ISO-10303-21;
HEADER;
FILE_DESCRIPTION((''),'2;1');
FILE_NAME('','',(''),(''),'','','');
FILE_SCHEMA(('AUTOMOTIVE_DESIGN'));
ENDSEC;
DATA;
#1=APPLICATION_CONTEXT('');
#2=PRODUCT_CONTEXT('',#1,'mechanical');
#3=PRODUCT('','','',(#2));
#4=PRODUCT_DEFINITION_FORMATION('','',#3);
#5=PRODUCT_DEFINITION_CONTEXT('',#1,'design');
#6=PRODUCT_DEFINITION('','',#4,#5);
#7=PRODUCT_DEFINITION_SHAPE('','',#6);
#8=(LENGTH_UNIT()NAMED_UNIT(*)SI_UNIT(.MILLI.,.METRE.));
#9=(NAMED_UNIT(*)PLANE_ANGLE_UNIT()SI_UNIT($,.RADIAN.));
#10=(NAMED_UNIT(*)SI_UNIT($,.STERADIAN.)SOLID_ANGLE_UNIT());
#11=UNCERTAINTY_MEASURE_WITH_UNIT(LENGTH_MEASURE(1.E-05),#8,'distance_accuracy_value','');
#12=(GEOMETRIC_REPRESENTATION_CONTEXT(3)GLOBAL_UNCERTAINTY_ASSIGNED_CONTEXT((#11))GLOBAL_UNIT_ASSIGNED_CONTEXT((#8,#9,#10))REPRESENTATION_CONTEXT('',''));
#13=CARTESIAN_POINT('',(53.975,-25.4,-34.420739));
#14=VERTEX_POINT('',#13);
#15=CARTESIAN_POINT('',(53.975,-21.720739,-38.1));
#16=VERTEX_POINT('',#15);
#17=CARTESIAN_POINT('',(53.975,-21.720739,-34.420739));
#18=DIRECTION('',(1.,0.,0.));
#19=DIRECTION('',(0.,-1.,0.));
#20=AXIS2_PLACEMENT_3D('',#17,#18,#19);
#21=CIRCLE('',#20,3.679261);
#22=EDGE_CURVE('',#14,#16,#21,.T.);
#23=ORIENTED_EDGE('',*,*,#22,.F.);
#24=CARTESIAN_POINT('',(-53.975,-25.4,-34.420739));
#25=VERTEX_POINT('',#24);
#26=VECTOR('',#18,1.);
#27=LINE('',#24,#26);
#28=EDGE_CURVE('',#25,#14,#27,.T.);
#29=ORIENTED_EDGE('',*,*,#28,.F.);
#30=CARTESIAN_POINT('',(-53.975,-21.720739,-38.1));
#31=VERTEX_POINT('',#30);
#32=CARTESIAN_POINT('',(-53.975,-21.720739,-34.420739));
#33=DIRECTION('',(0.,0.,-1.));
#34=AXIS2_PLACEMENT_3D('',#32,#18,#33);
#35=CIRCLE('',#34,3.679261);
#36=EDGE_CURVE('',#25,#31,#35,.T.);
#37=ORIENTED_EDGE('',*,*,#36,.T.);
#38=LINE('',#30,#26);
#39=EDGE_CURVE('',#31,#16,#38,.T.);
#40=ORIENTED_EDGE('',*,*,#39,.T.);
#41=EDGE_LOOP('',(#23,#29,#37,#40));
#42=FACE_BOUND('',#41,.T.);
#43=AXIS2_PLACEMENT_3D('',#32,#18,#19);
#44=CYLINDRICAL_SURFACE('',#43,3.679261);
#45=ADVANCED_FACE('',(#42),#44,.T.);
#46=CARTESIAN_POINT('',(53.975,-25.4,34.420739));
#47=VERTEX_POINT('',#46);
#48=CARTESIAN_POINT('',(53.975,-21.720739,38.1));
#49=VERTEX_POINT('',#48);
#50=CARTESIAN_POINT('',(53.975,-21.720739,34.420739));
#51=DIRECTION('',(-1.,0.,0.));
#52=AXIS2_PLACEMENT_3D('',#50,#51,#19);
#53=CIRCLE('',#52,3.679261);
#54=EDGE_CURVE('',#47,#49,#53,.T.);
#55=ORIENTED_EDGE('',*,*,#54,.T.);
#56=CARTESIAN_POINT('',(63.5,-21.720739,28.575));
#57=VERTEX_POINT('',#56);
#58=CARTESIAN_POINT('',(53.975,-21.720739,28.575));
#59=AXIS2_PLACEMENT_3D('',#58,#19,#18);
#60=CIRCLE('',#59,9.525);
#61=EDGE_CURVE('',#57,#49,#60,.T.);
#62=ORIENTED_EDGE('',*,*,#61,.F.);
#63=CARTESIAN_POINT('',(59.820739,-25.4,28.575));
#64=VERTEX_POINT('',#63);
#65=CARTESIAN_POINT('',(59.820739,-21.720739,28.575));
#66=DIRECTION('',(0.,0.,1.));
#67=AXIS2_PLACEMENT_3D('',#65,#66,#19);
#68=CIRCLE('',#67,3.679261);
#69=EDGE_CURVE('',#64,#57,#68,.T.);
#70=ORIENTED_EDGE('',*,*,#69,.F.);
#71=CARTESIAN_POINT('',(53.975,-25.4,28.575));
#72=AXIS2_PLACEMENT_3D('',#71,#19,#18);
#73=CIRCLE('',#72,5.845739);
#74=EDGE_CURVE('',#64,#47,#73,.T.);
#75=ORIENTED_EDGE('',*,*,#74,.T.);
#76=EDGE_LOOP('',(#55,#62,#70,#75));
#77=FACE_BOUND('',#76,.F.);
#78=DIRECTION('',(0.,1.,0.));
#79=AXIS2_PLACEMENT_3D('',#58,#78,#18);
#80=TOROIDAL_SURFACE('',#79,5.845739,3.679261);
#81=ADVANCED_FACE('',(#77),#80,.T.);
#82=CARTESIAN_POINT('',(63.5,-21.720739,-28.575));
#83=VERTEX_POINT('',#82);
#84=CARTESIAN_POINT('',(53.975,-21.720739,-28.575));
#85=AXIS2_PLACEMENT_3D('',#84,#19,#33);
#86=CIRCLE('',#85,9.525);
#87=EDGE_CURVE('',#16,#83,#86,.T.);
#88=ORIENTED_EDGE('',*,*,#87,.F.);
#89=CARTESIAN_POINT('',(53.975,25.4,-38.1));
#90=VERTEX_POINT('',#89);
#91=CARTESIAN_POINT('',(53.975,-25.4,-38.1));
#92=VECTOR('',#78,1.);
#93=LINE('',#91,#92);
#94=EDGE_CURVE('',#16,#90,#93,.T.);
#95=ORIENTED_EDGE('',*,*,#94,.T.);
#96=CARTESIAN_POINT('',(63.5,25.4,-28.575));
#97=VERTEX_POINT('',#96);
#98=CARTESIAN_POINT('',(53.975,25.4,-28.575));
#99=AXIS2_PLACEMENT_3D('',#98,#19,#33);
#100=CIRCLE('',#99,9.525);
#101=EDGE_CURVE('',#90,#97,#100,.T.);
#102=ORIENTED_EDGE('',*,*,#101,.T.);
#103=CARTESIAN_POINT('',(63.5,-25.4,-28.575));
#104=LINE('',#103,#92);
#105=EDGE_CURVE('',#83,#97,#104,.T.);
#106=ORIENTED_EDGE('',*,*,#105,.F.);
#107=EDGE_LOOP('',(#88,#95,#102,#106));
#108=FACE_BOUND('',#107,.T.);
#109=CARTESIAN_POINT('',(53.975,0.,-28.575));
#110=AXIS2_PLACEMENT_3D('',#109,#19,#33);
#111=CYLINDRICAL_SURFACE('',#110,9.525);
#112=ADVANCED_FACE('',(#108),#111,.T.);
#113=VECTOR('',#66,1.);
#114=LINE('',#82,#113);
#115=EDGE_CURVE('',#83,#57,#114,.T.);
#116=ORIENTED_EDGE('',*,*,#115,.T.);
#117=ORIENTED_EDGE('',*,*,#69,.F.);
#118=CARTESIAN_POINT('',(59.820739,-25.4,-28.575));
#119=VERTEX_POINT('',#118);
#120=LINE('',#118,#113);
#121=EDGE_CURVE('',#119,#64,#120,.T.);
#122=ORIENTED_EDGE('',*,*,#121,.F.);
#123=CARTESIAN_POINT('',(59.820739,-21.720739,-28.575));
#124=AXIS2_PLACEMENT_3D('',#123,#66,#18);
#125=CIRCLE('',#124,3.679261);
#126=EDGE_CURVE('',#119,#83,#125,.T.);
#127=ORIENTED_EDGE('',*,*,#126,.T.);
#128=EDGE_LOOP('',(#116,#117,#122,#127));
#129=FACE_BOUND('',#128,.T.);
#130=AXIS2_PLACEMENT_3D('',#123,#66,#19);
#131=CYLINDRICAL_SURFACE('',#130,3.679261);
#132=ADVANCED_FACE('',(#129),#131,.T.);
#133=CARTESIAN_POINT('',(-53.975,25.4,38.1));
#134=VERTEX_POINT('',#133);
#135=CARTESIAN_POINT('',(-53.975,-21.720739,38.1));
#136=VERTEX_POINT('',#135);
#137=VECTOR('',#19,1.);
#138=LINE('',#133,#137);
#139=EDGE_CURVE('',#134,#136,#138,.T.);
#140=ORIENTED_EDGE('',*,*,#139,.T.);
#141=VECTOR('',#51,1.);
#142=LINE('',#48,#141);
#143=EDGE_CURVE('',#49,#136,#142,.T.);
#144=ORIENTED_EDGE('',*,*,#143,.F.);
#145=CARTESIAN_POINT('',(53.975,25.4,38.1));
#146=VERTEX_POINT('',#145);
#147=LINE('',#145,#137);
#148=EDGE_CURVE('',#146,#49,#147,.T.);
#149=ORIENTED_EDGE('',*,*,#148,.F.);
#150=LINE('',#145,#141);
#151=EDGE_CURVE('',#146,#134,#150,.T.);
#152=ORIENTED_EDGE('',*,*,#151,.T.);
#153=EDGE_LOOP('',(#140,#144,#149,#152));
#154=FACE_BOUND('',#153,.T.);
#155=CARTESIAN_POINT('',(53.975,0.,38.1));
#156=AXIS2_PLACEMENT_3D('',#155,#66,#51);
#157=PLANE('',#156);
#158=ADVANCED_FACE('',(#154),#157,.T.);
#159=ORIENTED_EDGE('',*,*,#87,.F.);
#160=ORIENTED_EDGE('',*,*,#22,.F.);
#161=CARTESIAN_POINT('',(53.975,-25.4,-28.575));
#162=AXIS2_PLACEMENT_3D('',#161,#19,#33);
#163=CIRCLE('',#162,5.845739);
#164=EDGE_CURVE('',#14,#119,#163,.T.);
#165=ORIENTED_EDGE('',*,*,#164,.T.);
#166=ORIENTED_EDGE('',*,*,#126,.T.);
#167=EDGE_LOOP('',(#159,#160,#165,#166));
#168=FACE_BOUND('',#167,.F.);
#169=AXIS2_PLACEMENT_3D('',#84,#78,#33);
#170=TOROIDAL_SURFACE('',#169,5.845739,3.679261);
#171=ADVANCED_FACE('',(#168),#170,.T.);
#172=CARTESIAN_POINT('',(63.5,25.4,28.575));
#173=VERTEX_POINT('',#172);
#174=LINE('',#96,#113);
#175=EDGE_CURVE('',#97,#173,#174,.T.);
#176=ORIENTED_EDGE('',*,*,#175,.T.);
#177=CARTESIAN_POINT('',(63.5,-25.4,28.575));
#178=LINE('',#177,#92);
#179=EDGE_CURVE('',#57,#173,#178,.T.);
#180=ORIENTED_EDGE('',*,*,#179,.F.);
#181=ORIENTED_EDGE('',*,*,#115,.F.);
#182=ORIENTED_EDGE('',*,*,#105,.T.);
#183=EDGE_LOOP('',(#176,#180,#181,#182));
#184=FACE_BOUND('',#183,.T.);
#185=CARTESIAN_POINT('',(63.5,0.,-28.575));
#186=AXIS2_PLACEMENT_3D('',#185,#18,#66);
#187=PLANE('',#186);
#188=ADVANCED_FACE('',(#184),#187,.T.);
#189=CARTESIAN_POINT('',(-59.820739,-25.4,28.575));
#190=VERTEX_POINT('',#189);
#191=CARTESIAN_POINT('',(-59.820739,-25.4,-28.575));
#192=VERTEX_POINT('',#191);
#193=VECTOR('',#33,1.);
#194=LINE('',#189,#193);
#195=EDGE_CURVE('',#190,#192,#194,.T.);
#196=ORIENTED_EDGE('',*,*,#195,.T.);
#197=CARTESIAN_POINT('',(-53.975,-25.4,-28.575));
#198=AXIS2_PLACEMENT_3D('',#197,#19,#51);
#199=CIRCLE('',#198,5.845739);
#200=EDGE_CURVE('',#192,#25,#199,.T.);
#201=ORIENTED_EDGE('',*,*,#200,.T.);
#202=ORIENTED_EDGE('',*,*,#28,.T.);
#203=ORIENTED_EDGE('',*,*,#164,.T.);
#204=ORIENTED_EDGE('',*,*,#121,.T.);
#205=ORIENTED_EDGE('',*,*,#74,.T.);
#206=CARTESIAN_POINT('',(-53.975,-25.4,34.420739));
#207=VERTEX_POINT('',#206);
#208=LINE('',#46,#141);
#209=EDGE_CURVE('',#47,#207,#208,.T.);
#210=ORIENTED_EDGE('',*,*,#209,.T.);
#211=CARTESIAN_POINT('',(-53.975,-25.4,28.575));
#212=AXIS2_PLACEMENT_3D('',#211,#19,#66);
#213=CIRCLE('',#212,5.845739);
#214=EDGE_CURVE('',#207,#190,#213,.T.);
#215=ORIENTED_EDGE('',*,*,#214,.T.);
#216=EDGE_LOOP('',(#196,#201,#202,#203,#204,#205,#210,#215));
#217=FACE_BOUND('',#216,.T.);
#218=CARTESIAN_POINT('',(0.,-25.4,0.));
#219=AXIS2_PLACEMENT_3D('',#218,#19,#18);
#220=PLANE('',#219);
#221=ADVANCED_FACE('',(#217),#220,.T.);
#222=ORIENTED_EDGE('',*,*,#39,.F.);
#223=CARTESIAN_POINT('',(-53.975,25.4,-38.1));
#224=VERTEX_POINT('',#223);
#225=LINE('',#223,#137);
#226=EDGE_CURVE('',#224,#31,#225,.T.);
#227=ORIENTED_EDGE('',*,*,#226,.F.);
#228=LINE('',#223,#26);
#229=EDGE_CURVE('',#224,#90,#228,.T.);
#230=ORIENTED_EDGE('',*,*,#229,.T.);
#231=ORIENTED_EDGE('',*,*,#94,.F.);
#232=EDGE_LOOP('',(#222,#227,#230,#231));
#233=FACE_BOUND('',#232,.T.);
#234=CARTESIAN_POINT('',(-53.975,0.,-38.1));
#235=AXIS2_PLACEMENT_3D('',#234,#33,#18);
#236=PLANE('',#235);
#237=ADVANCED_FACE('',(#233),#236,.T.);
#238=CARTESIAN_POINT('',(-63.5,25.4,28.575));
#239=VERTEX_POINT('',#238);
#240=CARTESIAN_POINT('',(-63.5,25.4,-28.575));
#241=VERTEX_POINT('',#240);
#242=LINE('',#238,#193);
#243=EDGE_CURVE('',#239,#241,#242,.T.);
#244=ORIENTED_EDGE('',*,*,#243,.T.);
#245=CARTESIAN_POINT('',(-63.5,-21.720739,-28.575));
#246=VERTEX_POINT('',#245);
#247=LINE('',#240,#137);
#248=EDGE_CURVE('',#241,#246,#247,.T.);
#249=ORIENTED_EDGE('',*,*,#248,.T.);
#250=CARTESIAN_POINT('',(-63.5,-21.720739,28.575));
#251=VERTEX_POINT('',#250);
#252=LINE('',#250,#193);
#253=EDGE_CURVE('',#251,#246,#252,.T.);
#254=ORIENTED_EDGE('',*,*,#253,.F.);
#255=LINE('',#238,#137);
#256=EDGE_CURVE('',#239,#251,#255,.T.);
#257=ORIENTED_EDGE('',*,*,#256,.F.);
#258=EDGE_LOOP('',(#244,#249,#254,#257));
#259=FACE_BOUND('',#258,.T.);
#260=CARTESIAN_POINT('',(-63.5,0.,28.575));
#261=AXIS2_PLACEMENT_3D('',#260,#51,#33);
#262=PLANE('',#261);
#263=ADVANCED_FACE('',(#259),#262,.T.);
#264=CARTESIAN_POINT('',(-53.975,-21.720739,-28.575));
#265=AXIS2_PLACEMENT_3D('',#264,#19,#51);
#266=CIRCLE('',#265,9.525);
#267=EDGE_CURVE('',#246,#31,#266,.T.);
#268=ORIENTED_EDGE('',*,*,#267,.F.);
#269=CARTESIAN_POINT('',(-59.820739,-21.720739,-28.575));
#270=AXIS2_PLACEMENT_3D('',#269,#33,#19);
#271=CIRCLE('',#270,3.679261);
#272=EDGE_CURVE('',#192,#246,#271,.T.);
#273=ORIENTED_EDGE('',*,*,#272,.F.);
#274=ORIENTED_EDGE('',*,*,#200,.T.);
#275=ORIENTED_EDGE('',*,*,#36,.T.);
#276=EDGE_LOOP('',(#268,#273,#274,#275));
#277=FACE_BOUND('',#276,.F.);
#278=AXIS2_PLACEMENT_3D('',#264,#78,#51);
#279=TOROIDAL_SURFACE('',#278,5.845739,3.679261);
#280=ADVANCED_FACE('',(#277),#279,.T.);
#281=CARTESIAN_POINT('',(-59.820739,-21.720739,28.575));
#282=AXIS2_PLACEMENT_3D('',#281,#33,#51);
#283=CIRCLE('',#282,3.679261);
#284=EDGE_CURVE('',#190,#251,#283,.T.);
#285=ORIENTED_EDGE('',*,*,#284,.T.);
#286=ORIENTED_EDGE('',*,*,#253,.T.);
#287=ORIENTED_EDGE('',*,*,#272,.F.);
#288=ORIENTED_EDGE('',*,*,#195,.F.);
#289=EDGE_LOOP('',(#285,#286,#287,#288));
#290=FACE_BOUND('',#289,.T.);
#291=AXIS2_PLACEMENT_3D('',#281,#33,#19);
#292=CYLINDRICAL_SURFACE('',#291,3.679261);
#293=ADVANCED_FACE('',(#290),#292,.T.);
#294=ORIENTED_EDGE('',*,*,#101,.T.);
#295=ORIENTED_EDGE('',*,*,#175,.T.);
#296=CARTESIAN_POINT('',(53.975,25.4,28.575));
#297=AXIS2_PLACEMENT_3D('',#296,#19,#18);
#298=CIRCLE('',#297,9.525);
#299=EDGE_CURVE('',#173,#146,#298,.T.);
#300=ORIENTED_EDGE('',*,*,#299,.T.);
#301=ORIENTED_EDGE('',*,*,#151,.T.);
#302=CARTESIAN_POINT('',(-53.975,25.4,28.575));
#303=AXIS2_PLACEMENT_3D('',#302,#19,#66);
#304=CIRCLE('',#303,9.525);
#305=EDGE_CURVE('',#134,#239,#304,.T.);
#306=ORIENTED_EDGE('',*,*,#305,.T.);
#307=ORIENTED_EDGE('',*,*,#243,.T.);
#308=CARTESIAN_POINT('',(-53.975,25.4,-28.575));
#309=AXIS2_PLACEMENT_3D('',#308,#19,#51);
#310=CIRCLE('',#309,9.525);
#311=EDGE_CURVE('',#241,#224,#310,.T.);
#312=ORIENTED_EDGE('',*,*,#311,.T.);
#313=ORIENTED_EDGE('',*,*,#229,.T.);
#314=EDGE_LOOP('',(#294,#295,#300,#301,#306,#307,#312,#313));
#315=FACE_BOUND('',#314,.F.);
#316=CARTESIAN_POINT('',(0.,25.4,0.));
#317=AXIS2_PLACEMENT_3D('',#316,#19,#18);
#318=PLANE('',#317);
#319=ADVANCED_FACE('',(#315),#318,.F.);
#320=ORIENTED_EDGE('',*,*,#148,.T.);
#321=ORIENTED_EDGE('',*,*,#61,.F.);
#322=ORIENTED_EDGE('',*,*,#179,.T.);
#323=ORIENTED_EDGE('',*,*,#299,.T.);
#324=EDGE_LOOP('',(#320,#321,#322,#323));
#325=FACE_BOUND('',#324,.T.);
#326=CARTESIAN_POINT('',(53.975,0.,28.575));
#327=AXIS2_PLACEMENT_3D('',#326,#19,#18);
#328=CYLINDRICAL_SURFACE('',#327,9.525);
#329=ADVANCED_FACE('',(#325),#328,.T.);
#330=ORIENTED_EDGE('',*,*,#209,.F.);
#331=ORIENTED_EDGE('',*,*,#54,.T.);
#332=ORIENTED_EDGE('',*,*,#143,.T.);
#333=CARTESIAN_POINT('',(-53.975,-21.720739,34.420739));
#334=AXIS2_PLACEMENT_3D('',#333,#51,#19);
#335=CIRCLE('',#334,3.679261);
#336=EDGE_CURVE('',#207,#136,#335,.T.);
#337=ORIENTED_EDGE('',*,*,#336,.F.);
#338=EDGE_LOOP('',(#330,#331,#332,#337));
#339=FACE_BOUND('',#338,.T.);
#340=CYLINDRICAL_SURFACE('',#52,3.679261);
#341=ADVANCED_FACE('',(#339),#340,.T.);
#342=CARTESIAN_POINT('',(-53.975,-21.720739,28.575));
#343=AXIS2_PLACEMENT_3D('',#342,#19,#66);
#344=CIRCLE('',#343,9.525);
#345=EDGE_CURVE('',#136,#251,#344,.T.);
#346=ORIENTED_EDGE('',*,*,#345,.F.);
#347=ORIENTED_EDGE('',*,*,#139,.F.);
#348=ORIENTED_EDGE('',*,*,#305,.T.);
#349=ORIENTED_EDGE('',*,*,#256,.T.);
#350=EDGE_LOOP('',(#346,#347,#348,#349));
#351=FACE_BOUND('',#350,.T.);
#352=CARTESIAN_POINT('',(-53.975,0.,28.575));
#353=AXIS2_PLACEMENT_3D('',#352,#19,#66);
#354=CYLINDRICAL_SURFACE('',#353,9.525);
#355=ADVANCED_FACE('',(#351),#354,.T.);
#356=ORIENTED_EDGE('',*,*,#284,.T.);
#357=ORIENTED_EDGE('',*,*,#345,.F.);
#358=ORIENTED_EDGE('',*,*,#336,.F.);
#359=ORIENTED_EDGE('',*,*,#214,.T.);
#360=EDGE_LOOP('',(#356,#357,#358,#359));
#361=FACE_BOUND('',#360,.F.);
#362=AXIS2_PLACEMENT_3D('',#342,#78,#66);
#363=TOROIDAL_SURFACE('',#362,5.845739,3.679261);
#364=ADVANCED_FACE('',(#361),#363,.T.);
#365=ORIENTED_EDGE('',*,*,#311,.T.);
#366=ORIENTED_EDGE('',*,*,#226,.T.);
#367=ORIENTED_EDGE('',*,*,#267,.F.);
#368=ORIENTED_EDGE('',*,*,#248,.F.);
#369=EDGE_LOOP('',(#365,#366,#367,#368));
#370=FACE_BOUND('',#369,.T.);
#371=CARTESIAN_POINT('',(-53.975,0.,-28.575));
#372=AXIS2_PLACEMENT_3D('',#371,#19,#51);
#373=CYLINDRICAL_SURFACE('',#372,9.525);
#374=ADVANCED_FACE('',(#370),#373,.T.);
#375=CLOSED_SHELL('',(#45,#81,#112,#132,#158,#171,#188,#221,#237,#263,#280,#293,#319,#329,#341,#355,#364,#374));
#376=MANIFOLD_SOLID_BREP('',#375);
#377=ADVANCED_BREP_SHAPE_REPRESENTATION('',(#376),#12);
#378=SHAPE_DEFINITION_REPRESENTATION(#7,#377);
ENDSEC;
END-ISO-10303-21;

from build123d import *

# Parameters (mm, degrees)
F1_DEPTH = 25.4
F2_R     = 3.6792614691


with BuildPart() as f1:
    # F0 (on Front) → F1 (new body, symmetric)
    with BuildSketch(Plane.XZ):
        with BuildLine():
            ThreePointArc((63.5, 28.575), (60.7101920908, 35.3101920908), (53.975, 38.1))
            Line((53.975, 38.1), (-53.975, 38.1))
            ThreePointArc((-53.975, 38.1), (-60.7101920908, 35.3101920908), (-63.5, 28.575))
            Line((-63.5, 28.575), (-63.5, -28.575))
            ThreePointArc((-63.5, -28.575), (-60.7101920908, -35.3101920908), (-53.975, -38.1))
            Line((-53.975, -38.1), (53.975, -38.1))
            ThreePointArc((53.975, -38.1), (60.7101920908, -35.3101920908), (63.5, -28.575))
            Line((63.5, -28.575), (63.5, 28.575))
        make_face()
    extrude(amount=F1_DEPTH, both=True)

    # F2
    f2_edges = [f1.edges().sort_by_distance(p)[0] for p in [
        (0, -25.4, 38.1),
    ]]
    fillet(f2_edges, radius=F2_R)


solid = f1.part
